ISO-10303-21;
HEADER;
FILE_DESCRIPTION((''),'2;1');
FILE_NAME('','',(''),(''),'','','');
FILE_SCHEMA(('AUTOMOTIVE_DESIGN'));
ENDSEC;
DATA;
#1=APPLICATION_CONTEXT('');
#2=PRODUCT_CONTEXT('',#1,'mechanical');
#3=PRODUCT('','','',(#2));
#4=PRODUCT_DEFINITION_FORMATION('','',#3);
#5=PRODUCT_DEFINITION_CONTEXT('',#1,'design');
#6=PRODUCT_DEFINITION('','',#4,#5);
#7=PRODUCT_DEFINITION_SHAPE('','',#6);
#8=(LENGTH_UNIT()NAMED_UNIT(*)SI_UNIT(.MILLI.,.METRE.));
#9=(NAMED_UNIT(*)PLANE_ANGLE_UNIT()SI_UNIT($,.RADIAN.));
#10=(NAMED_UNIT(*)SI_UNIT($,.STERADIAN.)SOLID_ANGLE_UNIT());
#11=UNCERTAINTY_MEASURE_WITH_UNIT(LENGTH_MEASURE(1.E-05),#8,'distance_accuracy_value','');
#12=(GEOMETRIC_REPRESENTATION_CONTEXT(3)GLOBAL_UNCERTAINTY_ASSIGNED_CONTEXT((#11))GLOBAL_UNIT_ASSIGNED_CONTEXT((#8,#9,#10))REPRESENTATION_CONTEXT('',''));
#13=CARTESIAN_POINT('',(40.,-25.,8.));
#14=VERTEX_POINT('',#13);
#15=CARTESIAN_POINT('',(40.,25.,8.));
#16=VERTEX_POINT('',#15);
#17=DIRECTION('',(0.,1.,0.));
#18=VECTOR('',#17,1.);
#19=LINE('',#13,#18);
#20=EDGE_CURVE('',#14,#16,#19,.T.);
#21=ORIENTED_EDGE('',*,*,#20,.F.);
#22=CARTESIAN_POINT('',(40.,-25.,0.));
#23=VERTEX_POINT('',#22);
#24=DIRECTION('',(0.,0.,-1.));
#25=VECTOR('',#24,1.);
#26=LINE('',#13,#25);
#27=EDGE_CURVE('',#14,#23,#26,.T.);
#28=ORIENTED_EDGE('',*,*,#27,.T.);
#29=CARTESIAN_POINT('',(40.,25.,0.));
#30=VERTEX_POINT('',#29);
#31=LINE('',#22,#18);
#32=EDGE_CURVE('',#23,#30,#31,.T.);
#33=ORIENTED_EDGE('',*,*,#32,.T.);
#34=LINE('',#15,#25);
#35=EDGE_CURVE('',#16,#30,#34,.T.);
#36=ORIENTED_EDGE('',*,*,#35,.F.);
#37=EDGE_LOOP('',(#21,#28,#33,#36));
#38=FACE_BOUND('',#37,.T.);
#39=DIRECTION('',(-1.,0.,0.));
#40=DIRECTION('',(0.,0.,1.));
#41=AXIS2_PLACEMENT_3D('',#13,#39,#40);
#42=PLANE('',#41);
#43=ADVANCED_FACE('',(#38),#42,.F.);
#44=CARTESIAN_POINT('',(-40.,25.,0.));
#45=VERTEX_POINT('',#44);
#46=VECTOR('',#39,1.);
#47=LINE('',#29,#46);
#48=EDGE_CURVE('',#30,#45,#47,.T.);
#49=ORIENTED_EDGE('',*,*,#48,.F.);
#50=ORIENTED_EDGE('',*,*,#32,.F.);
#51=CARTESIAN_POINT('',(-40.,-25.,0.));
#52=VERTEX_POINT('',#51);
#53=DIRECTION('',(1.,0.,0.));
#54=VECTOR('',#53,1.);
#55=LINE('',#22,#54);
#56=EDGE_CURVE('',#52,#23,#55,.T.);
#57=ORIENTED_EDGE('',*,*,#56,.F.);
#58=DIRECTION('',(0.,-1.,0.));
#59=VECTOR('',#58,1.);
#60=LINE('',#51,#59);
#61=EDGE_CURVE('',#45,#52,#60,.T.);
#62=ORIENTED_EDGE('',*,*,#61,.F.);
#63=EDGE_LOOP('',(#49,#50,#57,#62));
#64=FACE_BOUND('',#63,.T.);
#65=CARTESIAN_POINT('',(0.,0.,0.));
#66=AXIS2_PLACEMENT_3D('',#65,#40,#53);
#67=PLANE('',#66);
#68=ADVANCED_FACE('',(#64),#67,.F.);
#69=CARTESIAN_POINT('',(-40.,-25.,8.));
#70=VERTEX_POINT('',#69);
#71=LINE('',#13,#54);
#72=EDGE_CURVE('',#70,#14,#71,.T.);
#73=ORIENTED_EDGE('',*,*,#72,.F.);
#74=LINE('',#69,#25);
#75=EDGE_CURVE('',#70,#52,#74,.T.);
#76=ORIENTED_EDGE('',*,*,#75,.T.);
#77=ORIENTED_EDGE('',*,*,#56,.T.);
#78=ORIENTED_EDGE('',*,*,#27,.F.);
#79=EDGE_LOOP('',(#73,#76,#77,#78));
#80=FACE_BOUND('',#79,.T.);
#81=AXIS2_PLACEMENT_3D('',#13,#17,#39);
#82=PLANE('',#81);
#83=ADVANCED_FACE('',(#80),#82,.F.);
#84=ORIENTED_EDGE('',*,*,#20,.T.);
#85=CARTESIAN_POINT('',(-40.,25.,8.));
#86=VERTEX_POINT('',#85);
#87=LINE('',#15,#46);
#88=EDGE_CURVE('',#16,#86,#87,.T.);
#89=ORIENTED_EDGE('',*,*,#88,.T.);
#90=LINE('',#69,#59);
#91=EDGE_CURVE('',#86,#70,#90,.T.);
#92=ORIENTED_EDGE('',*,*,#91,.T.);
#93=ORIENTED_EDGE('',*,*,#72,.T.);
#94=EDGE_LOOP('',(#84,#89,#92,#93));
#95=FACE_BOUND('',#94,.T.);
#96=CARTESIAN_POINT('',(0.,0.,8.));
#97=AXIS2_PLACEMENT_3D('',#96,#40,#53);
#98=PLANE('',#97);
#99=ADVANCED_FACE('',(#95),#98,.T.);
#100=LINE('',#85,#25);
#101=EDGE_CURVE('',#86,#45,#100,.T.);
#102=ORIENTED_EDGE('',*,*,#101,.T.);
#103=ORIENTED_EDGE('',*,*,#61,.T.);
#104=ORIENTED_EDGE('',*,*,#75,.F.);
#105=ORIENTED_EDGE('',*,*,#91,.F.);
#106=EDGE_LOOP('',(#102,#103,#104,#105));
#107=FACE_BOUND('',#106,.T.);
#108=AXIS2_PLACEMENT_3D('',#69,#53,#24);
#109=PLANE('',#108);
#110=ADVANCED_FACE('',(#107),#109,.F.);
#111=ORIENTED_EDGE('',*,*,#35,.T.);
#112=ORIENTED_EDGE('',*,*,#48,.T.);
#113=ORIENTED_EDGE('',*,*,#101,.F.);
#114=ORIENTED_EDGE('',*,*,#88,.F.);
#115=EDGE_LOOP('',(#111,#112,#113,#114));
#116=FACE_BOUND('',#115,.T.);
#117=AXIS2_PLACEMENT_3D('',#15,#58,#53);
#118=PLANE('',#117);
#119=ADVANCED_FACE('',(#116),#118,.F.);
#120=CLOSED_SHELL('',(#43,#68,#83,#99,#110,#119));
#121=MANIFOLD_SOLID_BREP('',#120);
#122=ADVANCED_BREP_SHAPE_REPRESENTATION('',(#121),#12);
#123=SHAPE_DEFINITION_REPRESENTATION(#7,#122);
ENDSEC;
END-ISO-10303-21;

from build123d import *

# Parameters (mm, degrees)
SKETCH_1_W      = 80
SKETCH_1_H      = 50
EXTRUDE_1_DEPTH = 8


with BuildPart() as part:
    # 草图1 → 凸台-拉伸1 (new body)
    with BuildSketch(Plane.XY):
        Rectangle(SKETCH_1_W, SKETCH_1_H)
    extrude(amount=EXTRUDE_1_DEPTH)


solid = part.part
